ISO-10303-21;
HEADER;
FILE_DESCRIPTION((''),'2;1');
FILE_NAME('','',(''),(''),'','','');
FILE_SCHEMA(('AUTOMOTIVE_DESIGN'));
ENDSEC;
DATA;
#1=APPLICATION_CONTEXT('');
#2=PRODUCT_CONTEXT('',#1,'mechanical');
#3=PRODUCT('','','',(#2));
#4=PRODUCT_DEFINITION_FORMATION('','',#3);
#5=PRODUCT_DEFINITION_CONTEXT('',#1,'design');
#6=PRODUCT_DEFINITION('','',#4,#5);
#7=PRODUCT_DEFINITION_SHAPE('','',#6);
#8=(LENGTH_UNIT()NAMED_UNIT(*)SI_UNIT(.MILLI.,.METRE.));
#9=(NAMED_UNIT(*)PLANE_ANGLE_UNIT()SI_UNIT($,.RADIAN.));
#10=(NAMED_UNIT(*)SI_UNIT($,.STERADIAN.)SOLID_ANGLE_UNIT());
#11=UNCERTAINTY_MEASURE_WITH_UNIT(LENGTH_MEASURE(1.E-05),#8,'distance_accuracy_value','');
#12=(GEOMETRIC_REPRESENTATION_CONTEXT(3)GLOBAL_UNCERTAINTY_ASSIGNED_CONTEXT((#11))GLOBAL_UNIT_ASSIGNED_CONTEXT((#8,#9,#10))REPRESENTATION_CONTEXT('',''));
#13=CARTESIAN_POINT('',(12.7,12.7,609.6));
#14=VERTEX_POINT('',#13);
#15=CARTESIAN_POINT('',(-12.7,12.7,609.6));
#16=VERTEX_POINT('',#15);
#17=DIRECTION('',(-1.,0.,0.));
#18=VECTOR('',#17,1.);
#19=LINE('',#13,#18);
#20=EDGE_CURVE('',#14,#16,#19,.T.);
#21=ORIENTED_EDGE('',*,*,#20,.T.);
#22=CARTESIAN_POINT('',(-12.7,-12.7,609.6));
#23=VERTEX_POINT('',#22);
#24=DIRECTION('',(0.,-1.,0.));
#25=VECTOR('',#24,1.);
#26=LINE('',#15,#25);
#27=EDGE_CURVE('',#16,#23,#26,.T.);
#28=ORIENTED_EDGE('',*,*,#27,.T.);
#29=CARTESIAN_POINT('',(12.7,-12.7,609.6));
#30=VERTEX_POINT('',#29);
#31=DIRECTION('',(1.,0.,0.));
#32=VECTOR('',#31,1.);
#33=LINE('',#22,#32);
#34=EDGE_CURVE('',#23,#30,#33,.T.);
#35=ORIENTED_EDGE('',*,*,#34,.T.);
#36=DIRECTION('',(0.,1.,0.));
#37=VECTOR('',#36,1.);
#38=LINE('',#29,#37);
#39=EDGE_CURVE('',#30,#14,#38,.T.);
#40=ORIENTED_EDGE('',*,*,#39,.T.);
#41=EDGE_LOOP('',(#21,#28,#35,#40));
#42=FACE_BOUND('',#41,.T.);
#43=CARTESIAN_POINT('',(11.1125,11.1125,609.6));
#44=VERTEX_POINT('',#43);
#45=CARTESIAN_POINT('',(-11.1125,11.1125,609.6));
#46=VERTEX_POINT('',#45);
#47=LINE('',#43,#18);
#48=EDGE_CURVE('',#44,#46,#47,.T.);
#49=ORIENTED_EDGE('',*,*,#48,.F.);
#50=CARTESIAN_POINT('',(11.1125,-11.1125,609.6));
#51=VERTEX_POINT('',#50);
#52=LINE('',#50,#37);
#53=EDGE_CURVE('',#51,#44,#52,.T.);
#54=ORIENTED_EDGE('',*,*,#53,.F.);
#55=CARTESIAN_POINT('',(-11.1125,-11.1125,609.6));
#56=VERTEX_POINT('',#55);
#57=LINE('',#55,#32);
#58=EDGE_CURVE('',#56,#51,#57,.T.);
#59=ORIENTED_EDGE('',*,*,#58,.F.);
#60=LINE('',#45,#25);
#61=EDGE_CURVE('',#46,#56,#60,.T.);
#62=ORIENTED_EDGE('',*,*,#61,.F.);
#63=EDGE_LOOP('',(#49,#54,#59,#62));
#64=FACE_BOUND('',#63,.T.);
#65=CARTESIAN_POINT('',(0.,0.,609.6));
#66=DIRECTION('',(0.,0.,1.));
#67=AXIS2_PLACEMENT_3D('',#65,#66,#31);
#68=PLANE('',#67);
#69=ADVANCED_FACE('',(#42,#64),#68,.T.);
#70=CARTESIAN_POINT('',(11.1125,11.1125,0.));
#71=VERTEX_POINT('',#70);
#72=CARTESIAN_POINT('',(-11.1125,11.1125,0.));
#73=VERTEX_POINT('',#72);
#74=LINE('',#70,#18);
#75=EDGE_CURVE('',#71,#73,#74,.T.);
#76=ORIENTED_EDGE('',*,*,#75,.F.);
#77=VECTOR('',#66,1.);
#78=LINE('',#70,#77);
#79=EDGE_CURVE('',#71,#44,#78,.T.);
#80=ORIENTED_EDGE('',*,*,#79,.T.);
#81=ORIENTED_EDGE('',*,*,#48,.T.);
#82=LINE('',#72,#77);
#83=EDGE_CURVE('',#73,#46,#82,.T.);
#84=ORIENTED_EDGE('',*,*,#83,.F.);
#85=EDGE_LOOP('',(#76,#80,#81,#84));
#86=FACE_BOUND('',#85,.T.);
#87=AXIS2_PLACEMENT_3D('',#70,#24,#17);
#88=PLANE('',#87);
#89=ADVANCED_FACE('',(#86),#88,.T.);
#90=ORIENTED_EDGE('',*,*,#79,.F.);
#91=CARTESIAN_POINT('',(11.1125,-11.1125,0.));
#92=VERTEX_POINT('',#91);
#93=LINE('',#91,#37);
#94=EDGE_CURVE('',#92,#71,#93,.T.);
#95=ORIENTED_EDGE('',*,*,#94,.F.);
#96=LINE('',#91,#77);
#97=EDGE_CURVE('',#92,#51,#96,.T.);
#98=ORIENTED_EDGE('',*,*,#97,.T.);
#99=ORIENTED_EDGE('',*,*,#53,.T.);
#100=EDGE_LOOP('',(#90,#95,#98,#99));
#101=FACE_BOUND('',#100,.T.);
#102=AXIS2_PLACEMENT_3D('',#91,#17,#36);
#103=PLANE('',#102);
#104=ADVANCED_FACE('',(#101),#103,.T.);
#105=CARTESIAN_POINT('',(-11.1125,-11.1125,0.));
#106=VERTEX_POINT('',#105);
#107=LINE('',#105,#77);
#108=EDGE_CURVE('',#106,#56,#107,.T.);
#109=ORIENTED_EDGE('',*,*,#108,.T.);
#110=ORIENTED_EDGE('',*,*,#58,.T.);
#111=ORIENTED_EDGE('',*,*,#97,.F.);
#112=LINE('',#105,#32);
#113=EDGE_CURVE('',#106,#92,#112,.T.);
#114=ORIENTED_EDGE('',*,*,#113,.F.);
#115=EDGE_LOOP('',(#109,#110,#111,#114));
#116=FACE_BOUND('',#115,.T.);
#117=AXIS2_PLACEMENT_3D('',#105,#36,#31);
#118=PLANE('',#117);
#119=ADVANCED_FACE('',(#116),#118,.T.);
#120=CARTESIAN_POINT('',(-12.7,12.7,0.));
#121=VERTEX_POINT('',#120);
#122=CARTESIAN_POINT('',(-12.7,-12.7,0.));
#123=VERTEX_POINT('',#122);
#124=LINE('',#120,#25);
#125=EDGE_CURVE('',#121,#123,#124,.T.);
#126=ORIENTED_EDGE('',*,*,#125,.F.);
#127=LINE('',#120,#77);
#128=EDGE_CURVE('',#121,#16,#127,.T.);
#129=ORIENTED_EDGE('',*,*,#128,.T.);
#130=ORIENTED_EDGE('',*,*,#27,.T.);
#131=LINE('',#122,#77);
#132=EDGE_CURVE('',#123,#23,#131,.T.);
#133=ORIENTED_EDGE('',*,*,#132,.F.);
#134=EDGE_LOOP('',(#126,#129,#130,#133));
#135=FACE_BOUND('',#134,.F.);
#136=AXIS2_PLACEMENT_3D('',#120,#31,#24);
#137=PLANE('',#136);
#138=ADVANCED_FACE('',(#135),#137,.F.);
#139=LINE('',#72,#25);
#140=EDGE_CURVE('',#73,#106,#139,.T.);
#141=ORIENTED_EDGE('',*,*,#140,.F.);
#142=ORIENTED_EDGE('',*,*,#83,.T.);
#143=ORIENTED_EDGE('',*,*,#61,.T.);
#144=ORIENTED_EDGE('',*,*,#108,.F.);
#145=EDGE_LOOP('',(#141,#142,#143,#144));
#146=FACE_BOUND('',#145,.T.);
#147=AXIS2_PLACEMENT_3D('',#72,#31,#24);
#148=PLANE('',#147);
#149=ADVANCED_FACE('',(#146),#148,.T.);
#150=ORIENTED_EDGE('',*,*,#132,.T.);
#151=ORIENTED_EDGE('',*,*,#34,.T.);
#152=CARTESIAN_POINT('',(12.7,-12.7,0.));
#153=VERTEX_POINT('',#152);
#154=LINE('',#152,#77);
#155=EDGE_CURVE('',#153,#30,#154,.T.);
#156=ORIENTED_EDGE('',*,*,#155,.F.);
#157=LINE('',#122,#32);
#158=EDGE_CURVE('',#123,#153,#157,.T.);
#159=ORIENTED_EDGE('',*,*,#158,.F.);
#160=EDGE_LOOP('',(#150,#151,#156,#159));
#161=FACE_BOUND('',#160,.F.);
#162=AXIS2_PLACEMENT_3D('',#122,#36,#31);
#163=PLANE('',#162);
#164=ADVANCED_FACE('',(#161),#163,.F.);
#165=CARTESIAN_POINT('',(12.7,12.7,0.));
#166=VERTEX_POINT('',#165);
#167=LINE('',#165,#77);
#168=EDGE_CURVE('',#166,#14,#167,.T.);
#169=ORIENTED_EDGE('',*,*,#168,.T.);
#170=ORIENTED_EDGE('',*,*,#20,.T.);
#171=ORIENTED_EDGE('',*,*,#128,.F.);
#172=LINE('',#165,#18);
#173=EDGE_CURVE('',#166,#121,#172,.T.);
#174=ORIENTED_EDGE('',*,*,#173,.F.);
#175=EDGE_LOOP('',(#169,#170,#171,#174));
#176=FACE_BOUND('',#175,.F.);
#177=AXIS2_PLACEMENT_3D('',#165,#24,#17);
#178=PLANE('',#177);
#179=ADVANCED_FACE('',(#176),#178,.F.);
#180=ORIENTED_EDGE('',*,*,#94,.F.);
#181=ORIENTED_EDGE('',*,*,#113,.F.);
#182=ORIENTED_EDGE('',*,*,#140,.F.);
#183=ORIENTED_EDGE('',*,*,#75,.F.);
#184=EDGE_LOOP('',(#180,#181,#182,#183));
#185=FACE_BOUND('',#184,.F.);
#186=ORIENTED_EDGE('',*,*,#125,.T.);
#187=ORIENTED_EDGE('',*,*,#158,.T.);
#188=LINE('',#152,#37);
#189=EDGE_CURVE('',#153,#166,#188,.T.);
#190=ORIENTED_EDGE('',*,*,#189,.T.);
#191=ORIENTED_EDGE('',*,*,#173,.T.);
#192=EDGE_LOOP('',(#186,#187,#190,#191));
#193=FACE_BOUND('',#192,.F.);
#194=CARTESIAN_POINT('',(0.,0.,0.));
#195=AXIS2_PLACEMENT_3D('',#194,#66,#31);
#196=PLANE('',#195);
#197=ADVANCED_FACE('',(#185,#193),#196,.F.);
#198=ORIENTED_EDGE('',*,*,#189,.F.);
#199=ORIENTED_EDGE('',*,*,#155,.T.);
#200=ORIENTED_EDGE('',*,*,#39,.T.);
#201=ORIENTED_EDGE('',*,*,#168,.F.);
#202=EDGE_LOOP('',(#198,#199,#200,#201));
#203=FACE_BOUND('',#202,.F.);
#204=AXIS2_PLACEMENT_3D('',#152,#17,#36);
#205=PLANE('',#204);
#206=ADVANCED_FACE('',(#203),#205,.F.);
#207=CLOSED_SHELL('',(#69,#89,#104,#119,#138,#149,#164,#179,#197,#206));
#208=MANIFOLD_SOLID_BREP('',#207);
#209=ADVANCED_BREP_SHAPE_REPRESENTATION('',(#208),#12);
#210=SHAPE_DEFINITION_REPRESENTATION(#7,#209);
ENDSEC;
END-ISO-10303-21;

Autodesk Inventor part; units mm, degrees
ref_plane "YZ Plane" through (0, 0, 0) normal (1, 0, 0) x (0, 1, 0)
ref_plane "XZ Plane" through (0, 0, 0) normal (0, 1, 0) x (-1, 0, 0)
ref_plane "XY Plane" through (0, 0, 0) normal (0, 0, 1) x (1, 0, 0)
sketch "Sketch1" plane through (0, 0, 0) normal (0, 0, 1) x (1, 0, 0)
  line L0 (-12.7, -12.7) -> (12.7, -12.7)
  line L1 (12.7, -12.7) -> (12.7, 12.7)
  line L2 (12.7, 12.7) -> (-12.7, 12.7)
  line L3 (-12.7, 12.7) -> (-12.7, -12.7)
  line L4 (-11.1125, -11.1125) -> (11.1125, -11.1125)
  line L5 (11.1125, -11.1125) -> (11.1125, 11.1125)
  line L6 (11.1125, 11.1125) -> (-11.1125, 11.1125)
  line L7 (-11.1125, 11.1125) -> (-11.1125, -11.1125)
  point P0 (0, 0)
  dimension "d0" = 25.4
  dimension "d1" = 25.4
  dimension "d2" = 22.225
  dimension "d3" = 22.225
extrude "Extrusion1" add sketch "Sketch1" along normal blind 609.6
equation "\"BendRadius\" = Thickness"
equation "\"BendReliefWidth\" = Thickness"
equation "\"BendReliefDepth\" = 0.5 * Thickness"
equation "\"CornerReliefSize\" = 4 * Thickness"
equation "\"MinimumRemnant\" = 2 * Thickness"
equation "\"TransitionRadius\" = BendRadius"
equation "\"JacobiRadiusSize\" = BendRadius"
equation "\"GapSize\" = Thickness"
equation "\"Thickness\" = 3.048"
properties part number "24 in 1-16"
